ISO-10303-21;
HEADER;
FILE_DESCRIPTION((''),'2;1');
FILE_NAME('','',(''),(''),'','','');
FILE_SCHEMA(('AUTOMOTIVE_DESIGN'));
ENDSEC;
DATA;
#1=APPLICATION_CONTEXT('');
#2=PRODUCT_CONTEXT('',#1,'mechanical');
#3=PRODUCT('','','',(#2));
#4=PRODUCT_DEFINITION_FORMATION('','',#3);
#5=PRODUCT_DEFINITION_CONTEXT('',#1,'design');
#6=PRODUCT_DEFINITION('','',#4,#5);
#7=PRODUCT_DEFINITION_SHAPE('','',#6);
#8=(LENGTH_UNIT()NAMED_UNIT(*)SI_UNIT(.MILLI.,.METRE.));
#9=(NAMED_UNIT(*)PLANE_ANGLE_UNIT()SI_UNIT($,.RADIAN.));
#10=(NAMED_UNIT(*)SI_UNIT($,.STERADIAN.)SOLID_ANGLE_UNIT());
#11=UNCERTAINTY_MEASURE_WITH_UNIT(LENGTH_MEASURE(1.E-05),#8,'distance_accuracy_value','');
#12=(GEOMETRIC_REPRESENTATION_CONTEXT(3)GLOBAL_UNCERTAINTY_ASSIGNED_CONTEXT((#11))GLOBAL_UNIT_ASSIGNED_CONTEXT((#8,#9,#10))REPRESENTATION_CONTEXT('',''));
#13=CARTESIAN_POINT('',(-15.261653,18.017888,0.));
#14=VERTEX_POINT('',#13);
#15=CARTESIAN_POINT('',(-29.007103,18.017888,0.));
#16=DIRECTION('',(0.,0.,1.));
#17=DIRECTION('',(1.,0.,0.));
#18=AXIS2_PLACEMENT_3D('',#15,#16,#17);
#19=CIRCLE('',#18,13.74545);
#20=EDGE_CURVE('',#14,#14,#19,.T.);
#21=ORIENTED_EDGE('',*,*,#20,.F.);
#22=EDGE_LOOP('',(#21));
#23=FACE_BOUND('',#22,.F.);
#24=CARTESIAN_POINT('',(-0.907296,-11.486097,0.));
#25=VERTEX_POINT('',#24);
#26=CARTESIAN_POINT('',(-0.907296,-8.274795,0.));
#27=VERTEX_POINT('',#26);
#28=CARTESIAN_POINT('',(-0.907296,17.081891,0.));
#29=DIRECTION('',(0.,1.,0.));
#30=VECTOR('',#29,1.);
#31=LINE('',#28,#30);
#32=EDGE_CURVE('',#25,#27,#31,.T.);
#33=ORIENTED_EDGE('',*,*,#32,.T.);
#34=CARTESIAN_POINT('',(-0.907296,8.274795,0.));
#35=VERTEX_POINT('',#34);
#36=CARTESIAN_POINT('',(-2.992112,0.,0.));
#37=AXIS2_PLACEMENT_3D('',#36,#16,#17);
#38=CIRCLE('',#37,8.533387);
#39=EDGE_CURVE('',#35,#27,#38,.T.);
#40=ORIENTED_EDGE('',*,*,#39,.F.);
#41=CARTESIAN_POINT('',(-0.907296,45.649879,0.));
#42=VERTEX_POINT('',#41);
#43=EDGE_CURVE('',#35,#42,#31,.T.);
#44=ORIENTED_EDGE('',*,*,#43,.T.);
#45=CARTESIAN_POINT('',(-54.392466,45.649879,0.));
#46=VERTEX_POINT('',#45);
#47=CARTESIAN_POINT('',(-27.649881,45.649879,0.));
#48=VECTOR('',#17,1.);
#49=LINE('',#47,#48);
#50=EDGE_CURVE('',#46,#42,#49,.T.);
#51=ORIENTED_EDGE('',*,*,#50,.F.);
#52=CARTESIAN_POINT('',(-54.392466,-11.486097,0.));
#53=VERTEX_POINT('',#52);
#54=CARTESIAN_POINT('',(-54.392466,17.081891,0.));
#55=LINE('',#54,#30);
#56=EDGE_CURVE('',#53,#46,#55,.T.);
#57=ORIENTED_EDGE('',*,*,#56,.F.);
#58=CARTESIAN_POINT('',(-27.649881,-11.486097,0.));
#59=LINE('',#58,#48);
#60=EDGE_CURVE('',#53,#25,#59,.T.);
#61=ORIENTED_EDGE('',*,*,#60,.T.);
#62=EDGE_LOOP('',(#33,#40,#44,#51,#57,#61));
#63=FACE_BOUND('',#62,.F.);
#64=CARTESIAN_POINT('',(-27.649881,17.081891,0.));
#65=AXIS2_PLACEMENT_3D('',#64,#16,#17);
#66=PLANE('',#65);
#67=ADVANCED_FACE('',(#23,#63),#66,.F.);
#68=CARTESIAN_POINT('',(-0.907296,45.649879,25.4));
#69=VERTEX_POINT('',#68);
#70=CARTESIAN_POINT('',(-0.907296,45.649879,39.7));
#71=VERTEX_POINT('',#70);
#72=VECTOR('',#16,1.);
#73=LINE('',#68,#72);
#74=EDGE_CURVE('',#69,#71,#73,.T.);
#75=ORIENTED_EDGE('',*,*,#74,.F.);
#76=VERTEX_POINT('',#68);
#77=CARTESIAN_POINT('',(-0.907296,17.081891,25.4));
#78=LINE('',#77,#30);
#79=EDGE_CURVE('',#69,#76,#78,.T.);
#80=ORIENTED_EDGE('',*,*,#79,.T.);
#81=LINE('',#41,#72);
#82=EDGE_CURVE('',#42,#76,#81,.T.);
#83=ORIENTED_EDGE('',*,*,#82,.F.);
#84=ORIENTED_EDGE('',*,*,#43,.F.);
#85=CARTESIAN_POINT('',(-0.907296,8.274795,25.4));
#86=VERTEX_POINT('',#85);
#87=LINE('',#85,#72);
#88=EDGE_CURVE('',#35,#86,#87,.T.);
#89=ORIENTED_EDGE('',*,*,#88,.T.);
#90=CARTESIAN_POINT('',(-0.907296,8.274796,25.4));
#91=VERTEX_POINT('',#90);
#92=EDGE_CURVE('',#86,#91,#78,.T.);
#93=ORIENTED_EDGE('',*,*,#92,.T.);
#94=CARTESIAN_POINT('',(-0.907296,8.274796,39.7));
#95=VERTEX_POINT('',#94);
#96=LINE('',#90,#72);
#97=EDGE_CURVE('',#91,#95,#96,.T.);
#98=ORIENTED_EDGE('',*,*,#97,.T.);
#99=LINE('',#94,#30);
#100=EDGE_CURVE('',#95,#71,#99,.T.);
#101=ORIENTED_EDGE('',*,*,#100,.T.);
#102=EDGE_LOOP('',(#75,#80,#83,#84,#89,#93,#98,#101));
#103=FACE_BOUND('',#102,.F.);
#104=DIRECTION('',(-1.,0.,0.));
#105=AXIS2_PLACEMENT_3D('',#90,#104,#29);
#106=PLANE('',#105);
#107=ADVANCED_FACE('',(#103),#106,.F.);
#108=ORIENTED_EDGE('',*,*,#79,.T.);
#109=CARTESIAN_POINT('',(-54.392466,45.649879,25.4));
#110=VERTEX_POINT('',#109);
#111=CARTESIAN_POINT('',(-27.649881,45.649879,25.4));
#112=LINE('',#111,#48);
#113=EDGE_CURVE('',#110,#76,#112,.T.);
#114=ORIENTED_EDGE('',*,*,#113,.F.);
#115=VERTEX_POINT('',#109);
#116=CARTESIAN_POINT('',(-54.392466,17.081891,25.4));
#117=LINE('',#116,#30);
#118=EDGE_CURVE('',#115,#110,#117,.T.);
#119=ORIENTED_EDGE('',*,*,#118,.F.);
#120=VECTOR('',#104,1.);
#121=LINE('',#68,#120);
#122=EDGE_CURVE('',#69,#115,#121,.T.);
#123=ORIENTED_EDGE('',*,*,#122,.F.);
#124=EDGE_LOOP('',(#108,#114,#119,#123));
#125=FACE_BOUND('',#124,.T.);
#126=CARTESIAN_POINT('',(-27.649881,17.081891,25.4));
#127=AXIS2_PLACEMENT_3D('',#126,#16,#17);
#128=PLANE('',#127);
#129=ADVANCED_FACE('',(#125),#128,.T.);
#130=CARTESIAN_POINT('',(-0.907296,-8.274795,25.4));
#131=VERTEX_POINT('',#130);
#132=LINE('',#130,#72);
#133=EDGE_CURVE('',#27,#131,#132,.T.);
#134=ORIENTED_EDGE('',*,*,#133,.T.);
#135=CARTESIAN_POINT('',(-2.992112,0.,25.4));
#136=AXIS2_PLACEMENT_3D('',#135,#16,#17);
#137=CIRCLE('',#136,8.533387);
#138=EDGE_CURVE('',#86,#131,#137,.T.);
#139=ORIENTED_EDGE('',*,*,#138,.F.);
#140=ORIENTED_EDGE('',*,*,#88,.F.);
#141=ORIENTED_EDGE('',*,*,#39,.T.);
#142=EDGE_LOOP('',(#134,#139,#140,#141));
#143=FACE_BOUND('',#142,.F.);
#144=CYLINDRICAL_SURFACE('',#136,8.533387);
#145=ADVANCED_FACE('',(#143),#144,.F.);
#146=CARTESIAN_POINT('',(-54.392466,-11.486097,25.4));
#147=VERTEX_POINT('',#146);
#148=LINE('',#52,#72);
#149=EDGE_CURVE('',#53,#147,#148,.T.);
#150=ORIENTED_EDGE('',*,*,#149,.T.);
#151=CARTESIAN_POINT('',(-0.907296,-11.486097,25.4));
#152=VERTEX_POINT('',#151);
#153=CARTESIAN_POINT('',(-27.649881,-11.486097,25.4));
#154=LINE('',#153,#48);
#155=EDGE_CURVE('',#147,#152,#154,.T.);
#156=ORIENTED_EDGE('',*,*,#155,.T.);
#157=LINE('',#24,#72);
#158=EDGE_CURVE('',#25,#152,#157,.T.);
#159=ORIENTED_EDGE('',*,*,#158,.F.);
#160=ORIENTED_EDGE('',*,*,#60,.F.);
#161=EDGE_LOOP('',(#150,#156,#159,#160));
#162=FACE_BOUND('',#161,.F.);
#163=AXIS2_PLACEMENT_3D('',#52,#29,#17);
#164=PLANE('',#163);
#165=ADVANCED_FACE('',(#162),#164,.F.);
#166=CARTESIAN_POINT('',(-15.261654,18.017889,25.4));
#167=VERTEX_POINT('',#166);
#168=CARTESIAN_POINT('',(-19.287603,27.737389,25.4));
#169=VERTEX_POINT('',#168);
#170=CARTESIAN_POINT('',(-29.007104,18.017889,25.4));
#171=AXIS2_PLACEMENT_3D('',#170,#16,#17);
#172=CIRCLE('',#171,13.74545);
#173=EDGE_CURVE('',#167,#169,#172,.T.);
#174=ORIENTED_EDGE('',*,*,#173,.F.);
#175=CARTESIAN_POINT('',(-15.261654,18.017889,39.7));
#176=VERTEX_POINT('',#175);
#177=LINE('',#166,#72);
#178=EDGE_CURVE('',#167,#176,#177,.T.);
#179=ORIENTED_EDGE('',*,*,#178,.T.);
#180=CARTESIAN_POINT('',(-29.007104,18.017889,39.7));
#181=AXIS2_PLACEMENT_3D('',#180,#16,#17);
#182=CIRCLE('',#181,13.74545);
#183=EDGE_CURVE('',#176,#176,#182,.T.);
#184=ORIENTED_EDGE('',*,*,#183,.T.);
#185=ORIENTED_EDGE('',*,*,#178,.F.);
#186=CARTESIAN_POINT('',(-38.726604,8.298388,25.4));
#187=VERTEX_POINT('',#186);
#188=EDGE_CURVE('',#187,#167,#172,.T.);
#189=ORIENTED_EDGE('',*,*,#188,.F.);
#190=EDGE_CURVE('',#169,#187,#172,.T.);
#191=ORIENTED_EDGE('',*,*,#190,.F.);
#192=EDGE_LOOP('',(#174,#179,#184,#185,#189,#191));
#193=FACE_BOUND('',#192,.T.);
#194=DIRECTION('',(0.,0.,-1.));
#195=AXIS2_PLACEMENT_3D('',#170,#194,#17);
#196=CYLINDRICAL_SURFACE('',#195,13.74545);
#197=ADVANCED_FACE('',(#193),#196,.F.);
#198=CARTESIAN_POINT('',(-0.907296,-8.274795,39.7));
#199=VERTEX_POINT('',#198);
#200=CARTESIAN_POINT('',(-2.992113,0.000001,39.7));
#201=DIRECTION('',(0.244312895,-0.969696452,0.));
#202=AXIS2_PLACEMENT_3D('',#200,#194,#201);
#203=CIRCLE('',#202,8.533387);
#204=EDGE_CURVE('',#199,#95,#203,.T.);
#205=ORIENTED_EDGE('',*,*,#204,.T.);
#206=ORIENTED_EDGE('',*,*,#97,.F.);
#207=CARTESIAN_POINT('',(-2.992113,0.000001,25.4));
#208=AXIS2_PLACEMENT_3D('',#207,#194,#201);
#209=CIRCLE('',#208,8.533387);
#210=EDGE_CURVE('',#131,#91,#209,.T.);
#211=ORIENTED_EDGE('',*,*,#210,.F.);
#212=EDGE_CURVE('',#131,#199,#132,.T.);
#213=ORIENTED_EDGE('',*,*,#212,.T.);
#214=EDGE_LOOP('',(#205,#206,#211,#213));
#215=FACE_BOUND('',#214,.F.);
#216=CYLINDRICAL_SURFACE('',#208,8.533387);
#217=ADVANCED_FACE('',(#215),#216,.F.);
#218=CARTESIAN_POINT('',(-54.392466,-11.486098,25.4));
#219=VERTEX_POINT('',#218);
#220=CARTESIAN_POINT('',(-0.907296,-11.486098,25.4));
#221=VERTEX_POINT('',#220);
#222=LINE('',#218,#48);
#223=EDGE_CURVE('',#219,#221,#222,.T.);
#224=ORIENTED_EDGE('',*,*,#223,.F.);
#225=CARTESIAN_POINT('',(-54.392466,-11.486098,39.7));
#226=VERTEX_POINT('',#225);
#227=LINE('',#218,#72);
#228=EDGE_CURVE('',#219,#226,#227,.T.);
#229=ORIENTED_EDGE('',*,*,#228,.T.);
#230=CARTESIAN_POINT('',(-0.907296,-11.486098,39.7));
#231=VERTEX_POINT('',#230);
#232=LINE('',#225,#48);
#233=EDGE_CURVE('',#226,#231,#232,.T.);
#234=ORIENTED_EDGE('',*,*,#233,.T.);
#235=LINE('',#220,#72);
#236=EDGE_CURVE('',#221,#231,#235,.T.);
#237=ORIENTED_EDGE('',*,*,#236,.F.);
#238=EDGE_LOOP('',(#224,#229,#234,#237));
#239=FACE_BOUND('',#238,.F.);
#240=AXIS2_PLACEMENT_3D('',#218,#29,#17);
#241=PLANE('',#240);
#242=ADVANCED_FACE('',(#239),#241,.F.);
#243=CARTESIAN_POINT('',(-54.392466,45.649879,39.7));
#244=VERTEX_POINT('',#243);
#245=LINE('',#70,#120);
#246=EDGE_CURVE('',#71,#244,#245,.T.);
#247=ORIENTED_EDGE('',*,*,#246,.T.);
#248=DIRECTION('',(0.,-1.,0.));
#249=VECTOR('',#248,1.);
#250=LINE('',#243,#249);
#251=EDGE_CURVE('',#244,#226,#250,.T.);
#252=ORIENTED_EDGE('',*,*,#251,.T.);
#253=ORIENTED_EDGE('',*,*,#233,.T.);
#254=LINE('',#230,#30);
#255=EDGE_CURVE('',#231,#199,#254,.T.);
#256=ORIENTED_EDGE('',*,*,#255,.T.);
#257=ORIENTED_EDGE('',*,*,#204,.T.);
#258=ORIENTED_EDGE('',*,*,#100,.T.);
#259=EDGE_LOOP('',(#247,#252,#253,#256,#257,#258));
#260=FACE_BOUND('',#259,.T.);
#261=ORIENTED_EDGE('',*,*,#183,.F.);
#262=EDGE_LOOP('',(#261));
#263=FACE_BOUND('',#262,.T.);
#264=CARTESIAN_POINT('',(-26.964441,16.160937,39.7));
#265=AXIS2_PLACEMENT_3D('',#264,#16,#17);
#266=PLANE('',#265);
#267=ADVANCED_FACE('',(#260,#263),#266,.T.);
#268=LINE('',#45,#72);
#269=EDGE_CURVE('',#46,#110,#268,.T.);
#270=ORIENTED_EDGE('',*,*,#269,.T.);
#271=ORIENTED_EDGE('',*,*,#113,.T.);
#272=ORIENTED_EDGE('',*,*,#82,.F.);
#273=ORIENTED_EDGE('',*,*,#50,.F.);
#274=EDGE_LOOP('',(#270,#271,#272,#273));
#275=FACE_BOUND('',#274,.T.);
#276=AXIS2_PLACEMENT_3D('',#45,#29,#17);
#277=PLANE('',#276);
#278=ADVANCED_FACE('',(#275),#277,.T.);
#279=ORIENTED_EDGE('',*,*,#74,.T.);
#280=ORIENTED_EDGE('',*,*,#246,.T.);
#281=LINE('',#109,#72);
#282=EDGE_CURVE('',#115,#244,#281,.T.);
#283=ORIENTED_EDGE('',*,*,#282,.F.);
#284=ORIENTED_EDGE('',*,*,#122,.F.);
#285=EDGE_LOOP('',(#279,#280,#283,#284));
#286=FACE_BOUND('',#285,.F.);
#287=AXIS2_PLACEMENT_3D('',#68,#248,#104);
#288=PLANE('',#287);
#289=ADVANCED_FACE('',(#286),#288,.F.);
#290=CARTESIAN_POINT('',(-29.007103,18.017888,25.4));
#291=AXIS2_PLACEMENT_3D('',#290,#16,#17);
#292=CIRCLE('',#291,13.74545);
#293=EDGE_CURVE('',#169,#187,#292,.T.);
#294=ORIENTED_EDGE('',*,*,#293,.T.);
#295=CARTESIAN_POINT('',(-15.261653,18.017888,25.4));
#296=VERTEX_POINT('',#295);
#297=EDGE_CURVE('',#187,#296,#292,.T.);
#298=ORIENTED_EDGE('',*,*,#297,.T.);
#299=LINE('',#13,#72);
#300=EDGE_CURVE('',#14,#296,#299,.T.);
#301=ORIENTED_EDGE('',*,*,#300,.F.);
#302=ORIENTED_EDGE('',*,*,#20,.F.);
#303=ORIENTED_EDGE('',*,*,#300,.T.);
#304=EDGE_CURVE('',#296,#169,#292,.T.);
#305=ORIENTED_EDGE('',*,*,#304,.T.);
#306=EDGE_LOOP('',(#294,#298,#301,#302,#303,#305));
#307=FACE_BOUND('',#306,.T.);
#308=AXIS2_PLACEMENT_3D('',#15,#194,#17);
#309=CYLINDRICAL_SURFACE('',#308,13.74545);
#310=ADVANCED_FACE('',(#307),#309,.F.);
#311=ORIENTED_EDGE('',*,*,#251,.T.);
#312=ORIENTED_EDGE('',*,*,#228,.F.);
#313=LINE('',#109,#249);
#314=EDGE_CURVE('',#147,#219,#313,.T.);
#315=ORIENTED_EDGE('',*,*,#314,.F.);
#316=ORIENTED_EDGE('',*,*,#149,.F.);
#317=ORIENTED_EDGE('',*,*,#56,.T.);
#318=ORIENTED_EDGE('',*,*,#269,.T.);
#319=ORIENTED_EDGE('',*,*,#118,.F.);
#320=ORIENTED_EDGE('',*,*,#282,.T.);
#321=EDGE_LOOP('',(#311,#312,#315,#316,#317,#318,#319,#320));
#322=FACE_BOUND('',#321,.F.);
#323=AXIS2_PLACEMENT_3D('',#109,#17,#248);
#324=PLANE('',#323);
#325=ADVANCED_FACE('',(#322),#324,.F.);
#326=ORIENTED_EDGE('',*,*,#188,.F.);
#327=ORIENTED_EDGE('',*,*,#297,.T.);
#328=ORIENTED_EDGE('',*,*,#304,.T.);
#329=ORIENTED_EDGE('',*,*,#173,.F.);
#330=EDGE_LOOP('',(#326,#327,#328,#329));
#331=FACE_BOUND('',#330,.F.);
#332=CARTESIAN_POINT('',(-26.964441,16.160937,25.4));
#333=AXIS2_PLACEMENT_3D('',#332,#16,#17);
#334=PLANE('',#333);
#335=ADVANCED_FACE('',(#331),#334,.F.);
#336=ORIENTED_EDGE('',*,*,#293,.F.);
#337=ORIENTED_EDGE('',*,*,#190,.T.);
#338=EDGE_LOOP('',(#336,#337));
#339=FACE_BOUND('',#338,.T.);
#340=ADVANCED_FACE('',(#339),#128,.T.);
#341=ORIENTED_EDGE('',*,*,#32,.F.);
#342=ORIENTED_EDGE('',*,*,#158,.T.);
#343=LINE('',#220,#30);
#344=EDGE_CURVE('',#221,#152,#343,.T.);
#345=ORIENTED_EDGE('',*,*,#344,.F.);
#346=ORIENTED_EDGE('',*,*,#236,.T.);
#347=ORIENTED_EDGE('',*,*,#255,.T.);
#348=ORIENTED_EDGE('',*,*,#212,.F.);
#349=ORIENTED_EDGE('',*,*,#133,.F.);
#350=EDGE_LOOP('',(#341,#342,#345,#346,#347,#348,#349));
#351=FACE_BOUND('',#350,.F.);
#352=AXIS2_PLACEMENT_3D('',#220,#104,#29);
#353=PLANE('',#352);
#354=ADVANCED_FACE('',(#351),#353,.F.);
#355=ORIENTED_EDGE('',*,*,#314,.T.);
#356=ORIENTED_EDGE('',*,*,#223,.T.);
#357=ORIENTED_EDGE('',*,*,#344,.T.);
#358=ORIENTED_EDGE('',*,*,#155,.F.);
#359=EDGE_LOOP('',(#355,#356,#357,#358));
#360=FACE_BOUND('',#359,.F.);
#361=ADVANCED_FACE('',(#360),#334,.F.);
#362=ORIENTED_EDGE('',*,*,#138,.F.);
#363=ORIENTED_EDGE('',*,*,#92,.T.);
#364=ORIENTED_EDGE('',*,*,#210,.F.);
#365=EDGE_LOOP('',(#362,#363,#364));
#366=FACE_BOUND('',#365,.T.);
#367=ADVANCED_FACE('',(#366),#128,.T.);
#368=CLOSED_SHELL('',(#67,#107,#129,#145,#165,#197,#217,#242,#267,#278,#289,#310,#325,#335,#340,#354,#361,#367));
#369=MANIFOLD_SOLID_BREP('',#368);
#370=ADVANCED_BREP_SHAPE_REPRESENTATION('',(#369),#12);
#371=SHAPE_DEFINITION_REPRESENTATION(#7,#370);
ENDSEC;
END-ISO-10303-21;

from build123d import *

# Parameters (mm, degrees)
F0_W      = 53.48517
F0_H      = 57.135977
F0_R      = 13.74545
F1_DEPTH  = 25.4
F2_R      = 8.533387
F3_DEPTH  = 25.401
F1_FACE_R = 13.74545
F4_DEPTH  = 14.3


with BuildPart() as f1:
    # F0 (on Top) → F1 (new body)
    with BuildSketch(Plane.XY):
        with Locations((-27.649881, 17.081891)):
            Rectangle(F0_W, F0_H)
        with Locations((-29.007103, 18.017888)):
            Circle(F0_R, mode=Mode.SUBTRACT)
    extrude(amount=F1_DEPTH)

    # F2 (on face) → F3 (cut, through all)
    with BuildSketch(Plane.XY.offset(25.4)):
        with Locations((-2.992112, 0)):
            Circle(F2_R)
    extrude(amount=-F3_DEPTH, mode=Mode.SUBTRACT)

    # F1_face (on face) → F4 (join)
    with BuildSketch(Plane(origin=(-27.322716, 16.856264, 25.4), x_dir=(1, 0, 0), z_dir=(0, 0, 1))):
        with BuildLine():
            Line((-27.06975, -28.342362), (26.41542, -28.342362))
            Line((26.41542, -28.342362), (26.41542, -25.131059))
            ThreePointArc((26.41542, -25.131059), (15.797216, -16.856264), (26.41542, -8.581468))
            Line((26.41542, -8.581468), (26.41542, 28.793615))
            Line((26.41542, 28.793615), (-27.06975, 28.793615))
            Line((-27.06975, 28.793615), (-27.06975, -28.342362))
        make_face()
        with Locations((-1.684388, 1.161625)):
            Circle(F1_FACE_R, mode=Mode.SUBTRACT)
    extrude(amount=F4_DEPTH)


solid = f1.part
